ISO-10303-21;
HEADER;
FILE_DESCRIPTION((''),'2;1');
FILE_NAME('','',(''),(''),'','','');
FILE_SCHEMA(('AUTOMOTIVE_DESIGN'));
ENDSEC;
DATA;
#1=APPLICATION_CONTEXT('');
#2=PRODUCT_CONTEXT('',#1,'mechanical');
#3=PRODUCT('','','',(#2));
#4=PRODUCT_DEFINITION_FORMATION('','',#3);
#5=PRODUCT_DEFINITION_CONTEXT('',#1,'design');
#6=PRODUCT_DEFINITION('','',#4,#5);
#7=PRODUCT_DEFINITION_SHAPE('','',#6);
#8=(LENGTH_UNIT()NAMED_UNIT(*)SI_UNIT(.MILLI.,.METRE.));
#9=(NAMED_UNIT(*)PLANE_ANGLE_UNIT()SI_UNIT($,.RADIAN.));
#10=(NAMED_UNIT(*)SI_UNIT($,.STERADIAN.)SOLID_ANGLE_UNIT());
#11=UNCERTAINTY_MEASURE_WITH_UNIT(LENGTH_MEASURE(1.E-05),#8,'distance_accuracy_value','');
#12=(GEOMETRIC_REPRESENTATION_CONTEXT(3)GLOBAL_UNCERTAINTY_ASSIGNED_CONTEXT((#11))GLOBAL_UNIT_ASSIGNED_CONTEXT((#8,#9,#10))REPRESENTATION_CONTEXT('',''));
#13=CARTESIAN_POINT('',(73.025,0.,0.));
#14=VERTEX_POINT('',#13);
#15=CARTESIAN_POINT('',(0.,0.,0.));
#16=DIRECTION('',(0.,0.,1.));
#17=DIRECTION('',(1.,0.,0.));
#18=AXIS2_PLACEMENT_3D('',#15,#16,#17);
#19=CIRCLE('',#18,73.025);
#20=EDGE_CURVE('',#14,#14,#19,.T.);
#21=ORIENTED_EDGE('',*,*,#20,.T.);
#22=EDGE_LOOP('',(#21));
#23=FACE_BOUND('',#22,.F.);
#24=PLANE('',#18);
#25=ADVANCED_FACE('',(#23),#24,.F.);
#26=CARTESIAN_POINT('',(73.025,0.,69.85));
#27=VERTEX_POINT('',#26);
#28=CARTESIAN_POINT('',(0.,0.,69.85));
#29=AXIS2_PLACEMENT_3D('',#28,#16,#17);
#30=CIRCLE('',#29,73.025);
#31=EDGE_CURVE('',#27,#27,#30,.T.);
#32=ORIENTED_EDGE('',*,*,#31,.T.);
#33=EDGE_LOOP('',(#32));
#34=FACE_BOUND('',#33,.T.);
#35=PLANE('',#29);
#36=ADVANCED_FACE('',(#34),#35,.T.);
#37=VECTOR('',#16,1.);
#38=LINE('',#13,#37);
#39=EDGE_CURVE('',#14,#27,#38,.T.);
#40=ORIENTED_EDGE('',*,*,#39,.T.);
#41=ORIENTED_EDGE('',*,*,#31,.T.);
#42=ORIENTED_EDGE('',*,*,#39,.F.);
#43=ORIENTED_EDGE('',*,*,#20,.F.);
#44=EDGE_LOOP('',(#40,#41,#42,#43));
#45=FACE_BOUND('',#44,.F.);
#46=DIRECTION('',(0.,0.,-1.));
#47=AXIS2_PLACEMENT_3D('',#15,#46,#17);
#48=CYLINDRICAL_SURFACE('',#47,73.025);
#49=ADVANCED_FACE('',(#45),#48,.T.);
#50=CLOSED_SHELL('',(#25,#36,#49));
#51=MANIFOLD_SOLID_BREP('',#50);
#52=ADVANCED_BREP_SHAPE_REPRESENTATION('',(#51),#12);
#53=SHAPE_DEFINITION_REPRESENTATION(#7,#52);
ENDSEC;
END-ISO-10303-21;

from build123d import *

# Parameters (mm, degrees)
F0_R     = 73.025
F1_DEPTH = 69.85
F3_DEPTH = 25.4


with BuildPart() as f1:
    # F0 (on Top) → F1 (new body)
    with BuildSketch(Plane.XY):
        Circle(F0_R)
    extrude(amount=F1_DEPTH)

    # F2 (on face) → F3 (join)
    with BuildSketch(Plane.XY):
        with BuildLine():
            ThreePointArc((-6.35, 60.96), (-61.289837, 0), (-6.35, -60.96))
            Line((-6.35, -60.96), (-6.35, 60.96))
        make_face()
        with BuildLine():
            Line((6.35, 60.96), (6.35, -60.96))
            ThreePointArc((6.35, -60.96), (61.289837, 0), (6.35, 60.96))
        make_face()
    extrude(amount=F3_DEPTH)


solid = f1.part
